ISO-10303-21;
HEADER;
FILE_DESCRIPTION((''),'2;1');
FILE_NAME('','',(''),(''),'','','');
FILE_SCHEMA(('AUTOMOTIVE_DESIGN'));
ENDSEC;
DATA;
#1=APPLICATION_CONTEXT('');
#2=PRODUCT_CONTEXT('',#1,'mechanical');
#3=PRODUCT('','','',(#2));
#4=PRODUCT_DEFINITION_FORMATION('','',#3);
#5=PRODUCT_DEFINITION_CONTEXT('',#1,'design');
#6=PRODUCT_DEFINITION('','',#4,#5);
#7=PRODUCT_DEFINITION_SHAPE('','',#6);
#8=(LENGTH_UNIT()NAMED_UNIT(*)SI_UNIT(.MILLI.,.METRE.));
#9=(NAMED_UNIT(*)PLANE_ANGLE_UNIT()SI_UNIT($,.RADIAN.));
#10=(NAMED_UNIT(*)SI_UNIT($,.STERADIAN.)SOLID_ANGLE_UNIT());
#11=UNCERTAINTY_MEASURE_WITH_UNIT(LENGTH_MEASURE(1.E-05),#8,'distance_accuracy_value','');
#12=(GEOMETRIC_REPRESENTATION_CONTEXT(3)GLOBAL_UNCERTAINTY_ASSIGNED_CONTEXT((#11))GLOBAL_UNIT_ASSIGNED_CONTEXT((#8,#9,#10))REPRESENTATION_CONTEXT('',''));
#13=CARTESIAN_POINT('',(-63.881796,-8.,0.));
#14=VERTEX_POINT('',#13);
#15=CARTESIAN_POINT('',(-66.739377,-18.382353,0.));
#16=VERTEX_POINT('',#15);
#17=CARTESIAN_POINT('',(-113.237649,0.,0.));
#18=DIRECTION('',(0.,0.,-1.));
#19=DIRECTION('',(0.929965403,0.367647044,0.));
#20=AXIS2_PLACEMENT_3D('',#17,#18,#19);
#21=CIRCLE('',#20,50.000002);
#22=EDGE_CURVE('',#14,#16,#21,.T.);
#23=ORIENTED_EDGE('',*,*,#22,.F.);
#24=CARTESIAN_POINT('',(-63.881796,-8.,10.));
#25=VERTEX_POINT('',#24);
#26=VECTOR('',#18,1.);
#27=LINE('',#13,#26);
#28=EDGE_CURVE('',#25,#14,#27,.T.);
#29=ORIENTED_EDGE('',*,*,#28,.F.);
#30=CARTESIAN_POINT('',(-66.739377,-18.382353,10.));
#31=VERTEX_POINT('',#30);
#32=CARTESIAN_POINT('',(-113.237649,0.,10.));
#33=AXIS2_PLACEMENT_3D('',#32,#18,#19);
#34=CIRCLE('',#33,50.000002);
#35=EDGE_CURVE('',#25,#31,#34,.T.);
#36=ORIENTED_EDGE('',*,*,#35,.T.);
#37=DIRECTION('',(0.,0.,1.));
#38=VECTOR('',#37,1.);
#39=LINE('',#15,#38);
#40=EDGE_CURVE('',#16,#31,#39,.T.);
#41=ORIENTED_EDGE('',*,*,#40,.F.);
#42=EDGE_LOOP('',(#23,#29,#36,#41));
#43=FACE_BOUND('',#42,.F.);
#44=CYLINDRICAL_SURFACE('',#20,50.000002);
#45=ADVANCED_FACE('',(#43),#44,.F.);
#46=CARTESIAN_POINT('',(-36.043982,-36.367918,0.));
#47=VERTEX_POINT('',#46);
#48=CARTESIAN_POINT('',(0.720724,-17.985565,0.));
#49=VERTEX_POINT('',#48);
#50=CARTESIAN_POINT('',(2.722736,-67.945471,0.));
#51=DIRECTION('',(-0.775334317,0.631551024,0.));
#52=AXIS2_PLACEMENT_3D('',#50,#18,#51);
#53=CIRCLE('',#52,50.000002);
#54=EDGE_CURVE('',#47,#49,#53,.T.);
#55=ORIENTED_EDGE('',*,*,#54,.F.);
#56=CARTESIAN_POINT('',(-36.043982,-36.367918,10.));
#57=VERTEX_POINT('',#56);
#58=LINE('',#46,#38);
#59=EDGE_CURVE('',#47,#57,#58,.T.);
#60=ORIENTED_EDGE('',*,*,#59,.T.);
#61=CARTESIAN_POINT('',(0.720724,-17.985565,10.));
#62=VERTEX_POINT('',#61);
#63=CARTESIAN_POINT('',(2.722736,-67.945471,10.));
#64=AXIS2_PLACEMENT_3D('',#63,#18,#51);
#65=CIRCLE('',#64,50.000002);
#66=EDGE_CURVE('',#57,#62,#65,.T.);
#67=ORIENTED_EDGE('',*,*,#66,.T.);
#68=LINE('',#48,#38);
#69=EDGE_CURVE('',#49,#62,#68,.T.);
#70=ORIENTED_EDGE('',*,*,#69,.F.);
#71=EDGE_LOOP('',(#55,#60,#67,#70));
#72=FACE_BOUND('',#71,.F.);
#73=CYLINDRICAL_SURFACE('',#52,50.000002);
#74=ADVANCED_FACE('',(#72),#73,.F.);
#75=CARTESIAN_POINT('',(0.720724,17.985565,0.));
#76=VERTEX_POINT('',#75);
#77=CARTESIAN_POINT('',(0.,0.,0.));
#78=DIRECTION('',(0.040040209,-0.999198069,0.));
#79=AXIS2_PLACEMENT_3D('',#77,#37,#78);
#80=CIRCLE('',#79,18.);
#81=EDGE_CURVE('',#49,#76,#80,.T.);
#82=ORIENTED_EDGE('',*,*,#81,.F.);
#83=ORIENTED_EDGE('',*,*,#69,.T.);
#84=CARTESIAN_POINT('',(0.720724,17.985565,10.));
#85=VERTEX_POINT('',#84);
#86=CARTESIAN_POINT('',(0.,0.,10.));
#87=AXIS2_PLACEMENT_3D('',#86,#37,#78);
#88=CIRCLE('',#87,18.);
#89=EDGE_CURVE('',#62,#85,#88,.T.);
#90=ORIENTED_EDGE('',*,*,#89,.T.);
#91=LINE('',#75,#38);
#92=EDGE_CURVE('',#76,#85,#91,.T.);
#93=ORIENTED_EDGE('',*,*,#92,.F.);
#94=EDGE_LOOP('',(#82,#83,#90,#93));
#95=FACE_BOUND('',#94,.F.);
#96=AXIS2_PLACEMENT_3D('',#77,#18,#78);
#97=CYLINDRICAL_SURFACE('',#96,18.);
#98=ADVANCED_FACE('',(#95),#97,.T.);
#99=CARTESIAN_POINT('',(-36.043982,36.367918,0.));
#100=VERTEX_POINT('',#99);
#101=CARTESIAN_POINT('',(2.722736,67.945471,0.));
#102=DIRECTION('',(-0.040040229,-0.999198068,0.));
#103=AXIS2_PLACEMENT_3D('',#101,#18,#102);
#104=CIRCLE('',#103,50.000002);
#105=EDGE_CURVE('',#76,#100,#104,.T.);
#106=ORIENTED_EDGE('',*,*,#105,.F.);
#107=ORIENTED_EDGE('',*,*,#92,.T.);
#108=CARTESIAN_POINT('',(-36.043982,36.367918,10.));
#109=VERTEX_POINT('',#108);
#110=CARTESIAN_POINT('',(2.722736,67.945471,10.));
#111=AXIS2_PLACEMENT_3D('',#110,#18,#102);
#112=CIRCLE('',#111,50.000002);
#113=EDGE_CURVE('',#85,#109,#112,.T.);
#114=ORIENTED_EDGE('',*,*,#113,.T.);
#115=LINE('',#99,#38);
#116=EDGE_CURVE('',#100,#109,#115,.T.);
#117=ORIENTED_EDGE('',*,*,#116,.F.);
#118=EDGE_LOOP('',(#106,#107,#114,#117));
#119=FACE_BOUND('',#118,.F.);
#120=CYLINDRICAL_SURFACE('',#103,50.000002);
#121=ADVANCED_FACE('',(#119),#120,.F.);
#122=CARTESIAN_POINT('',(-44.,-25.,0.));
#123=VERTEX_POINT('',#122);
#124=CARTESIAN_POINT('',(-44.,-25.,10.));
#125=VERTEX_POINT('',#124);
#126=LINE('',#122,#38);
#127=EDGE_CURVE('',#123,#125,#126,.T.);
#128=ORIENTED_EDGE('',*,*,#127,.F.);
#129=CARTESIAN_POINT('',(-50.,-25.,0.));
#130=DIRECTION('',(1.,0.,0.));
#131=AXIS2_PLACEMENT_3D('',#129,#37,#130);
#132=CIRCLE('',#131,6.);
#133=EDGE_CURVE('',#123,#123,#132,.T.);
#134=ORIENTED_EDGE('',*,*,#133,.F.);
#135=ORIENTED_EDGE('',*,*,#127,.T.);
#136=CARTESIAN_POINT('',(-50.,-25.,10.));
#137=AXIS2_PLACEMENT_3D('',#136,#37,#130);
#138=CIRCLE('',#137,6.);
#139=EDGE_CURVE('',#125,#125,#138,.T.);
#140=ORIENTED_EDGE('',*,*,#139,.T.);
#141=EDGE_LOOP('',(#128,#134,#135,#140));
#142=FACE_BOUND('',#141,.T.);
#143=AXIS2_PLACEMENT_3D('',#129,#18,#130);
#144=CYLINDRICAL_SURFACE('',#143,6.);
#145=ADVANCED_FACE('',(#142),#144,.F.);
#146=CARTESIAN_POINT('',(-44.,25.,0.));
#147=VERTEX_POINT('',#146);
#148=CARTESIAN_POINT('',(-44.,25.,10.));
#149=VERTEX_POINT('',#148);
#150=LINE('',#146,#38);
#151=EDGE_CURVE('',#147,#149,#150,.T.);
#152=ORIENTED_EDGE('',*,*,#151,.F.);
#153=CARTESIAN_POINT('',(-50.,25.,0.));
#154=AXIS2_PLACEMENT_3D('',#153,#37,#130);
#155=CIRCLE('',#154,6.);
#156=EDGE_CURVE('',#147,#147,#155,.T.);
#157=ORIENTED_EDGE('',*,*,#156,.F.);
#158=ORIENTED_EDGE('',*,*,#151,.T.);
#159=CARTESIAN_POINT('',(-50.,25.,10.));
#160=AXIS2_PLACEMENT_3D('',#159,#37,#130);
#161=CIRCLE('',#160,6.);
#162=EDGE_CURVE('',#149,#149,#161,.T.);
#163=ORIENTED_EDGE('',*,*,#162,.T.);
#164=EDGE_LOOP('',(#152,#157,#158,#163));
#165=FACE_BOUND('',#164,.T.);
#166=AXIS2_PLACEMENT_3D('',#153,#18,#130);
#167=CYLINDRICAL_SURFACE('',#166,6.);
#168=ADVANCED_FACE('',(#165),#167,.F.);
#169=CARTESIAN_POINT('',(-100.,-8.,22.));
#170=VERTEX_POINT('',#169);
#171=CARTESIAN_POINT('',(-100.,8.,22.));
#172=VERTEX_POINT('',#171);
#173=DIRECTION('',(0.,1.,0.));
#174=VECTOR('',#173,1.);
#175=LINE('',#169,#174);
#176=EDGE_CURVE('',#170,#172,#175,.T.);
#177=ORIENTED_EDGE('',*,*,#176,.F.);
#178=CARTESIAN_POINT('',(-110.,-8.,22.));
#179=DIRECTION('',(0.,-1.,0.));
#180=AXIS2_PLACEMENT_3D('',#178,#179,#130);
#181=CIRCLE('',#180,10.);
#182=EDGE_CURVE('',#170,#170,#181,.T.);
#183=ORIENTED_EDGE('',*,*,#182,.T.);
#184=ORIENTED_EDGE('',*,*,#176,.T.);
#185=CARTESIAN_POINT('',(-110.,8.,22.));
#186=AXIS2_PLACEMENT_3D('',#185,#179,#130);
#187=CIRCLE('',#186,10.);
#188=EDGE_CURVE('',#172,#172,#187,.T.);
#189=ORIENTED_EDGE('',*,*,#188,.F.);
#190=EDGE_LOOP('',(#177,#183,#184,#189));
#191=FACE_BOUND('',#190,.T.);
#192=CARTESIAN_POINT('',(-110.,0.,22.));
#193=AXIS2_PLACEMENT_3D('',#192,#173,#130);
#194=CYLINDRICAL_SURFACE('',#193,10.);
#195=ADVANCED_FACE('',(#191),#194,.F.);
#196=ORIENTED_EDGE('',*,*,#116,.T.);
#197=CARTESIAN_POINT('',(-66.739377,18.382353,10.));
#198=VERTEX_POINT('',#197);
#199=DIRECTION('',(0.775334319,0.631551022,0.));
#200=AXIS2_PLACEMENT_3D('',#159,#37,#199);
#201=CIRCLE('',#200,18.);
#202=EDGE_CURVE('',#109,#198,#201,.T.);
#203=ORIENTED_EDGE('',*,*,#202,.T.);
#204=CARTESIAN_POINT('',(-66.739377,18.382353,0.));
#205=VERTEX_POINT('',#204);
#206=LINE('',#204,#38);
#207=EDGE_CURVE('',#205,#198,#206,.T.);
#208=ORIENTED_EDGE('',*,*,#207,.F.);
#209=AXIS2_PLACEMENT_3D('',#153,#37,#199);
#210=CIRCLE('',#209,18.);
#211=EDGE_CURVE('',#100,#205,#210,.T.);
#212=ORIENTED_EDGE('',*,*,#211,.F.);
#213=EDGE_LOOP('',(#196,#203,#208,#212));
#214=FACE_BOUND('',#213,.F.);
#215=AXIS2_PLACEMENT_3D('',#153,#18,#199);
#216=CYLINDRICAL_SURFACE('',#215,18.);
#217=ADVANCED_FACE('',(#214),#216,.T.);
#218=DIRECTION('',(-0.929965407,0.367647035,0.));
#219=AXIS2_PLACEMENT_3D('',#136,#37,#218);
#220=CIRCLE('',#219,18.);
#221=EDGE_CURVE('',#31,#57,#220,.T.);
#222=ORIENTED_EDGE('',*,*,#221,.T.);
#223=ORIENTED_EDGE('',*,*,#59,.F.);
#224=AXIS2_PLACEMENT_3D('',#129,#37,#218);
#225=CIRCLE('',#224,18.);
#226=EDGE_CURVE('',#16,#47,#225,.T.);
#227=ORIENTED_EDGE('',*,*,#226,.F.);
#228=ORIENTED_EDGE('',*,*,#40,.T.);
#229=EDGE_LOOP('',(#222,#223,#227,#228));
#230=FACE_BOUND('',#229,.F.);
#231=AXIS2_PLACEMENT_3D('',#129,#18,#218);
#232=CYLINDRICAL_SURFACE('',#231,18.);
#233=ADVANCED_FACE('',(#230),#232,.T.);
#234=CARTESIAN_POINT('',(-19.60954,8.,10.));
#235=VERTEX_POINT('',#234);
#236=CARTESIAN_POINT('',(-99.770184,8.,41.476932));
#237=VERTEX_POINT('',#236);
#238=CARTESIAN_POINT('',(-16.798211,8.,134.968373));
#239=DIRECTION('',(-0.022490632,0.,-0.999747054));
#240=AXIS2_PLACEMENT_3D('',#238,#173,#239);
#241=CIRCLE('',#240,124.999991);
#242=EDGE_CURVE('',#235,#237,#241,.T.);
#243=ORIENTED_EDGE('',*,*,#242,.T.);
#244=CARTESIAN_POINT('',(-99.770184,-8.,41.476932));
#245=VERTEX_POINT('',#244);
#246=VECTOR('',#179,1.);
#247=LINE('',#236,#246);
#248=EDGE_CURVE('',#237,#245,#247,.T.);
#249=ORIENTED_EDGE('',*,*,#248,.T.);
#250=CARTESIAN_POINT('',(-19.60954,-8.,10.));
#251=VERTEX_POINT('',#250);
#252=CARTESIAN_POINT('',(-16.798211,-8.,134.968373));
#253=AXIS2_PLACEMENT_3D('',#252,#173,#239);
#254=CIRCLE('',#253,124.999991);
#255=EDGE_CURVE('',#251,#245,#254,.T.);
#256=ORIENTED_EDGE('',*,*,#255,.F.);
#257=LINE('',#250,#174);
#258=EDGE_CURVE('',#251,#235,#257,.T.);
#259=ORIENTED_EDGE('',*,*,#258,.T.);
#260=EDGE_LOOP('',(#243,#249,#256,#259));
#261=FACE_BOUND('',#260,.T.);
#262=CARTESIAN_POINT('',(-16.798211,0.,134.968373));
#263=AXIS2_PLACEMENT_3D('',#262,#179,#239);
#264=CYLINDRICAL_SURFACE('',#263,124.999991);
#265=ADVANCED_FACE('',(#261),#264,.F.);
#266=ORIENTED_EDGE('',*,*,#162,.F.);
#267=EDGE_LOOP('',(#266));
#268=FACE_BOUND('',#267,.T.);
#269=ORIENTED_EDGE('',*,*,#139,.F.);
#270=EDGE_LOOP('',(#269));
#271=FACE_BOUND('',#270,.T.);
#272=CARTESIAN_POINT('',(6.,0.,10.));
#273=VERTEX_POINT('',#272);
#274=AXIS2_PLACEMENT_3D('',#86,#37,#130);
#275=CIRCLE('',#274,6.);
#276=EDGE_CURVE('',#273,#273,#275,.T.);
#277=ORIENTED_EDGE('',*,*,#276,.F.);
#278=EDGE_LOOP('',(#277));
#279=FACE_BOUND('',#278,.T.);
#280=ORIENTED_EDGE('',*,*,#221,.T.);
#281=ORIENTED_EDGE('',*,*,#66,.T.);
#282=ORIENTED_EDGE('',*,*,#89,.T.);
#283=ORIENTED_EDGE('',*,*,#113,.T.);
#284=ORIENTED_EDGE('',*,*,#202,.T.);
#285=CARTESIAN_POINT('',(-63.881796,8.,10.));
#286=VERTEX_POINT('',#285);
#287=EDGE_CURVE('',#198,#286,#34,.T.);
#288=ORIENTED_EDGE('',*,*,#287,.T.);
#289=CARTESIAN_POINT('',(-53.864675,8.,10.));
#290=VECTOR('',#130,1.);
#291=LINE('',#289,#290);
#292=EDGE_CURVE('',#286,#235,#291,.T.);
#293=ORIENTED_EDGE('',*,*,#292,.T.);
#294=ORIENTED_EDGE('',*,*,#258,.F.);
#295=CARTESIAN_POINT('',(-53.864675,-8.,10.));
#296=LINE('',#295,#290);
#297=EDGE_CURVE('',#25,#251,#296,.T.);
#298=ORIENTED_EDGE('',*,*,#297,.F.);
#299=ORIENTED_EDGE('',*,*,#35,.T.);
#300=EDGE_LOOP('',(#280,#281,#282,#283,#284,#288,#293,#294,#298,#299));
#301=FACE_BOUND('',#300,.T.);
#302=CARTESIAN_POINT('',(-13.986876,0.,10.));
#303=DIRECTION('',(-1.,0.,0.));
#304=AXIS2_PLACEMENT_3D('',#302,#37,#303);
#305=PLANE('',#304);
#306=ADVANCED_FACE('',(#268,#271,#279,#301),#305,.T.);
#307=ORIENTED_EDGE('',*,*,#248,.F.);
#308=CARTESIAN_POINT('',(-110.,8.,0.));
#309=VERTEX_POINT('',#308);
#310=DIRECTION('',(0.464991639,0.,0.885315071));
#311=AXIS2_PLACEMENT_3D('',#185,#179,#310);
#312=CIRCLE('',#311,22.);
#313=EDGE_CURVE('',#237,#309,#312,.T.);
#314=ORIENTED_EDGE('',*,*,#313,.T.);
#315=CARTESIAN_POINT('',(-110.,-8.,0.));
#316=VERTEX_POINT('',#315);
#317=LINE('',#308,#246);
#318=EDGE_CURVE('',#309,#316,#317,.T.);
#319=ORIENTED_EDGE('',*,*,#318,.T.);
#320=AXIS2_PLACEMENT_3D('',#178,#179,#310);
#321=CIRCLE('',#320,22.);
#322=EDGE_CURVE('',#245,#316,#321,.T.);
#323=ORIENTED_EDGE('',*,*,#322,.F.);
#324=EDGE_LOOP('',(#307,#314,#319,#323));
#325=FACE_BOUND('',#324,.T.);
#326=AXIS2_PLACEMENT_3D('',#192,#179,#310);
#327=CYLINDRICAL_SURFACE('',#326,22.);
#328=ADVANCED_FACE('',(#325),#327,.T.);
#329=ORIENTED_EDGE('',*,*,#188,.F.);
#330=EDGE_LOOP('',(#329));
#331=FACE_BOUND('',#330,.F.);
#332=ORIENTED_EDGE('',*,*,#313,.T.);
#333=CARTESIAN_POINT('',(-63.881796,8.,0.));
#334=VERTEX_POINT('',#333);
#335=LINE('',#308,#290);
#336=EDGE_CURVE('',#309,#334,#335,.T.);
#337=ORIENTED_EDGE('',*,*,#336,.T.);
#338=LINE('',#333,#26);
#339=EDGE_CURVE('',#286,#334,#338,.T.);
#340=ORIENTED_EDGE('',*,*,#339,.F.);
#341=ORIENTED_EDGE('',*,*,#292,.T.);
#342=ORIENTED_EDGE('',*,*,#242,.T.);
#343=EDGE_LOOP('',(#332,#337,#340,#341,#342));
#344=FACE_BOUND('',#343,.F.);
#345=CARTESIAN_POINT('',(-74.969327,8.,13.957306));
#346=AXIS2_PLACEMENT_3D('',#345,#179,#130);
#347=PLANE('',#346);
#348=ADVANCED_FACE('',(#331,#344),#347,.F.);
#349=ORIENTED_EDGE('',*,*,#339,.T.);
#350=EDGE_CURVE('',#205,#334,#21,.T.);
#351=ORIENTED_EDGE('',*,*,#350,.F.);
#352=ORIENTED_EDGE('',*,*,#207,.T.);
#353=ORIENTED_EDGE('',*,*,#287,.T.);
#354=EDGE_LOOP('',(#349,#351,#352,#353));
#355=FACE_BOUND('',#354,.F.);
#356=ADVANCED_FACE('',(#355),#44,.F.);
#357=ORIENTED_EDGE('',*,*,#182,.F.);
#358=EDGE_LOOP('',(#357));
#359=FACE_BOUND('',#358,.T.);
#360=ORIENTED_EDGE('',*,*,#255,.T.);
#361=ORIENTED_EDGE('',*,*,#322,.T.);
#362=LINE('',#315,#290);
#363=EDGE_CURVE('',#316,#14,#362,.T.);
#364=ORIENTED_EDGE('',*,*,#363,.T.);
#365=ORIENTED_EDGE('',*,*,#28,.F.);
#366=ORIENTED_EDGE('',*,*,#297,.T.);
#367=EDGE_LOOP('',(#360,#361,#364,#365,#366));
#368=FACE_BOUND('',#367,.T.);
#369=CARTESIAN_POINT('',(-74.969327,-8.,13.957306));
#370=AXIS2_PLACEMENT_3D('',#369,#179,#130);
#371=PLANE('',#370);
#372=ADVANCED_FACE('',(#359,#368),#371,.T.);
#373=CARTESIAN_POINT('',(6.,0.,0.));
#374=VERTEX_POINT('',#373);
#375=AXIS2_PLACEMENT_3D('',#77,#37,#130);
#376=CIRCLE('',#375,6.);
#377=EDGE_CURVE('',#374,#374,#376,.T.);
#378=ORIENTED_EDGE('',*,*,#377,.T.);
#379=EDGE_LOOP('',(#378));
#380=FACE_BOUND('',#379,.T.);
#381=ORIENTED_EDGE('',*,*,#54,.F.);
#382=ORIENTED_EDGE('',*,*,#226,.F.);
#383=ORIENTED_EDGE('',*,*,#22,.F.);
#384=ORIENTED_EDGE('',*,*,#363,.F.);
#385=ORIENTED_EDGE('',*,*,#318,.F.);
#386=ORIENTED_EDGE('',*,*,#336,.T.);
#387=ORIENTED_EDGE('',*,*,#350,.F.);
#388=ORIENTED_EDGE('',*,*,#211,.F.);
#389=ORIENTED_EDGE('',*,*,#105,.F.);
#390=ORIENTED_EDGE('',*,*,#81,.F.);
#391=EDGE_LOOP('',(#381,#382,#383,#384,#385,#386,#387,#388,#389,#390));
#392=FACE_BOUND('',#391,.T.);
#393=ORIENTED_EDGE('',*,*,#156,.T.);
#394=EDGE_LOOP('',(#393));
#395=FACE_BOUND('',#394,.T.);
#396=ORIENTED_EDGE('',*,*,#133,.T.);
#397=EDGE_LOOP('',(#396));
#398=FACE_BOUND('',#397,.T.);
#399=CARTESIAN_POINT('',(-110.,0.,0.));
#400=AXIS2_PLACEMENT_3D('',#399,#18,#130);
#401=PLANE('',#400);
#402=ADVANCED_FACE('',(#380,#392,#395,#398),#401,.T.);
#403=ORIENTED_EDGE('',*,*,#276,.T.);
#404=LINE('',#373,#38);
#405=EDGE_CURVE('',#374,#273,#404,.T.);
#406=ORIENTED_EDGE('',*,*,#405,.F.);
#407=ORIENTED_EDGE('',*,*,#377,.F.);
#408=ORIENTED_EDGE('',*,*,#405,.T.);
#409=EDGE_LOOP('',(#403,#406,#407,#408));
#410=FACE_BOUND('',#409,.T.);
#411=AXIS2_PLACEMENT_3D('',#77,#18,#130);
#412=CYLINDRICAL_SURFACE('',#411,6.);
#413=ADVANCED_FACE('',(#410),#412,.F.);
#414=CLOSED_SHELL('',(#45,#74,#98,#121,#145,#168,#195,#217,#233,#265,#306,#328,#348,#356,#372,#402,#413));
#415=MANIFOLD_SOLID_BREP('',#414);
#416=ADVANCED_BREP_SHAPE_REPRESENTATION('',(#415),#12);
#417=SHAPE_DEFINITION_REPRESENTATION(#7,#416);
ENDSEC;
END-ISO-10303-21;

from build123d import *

# Parameters (mm, degrees)
F0_R     = 6
F1_DEPTH = 10
F2_R     = 10
F3_DEPTH = 8


with BuildPart() as f1:
    # F0 (on Top) → F1 (new body)
    with BuildSketch(Plane.XY):
        with BuildLine():
            ThreePointArc((-36.043982, -36.367918), (-19.637945, -23.224109), (0.720724, -17.985565))
            ThreePointArc((0.720724, -17.985565), (18, 0), (0.720724, 17.985565))
            ThreePointArc((0.720724, 17.985565), (-19.637945, 23.224109), (-36.043982, 36.367918))
            ThreePointArc((-36.043982, 36.367918), (-59.09983, 40.530392), (-66.739377, 18.382353))
            ThreePointArc((-66.739377, 18.382353), (-63.237647, 0), (-66.739377, -18.382353))
            ThreePointArc((-66.739377, -18.382353), (-59.09983, -40.530392), (-36.043982, -36.367918))
        make_face()
        with Locations((-50, -25)):
            Circle(F0_R, mode=Mode.SUBTRACT)
        Circle(F0_R, mode=Mode.SUBTRACT)
        with Locations((-50, 25)):
            Circle(F0_R, mode=Mode.SUBTRACT)
    extrude(amount=F1_DEPTH)

    # F2 (on Front) → F3 (join, symmetric)
    with BuildSketch(Plane.XZ):
        with BuildLine():
            ThreePointArc((-19.60954, 10), (-62.486208, 18.61716), (-99.770184, 41.476932))
            ThreePointArc((-99.770184, 41.476932), (-131.359922, 27.268183), (-110, 0))
            Line((-110, 0), (-13.986876, 0))
            Line((-13.986876, 0), (-13.986876, 10))
            ThreePointArc((-13.986876, 10), (-16.798208, 9.968382), (-19.60954, 10))
        make_face()
        with Locations((-110, 22)):
            Circle(F2_R, mode=Mode.SUBTRACT)
        with BuildLine():
            Line((-13.986876, 10), (-19.60954, 10))
            ThreePointArc((-19.60954, 10), (-16.798208, 9.968382), (-13.986876, 10))
        make_face()
    extrude(amount=F3_DEPTH, both=True)


solid = f1.part
